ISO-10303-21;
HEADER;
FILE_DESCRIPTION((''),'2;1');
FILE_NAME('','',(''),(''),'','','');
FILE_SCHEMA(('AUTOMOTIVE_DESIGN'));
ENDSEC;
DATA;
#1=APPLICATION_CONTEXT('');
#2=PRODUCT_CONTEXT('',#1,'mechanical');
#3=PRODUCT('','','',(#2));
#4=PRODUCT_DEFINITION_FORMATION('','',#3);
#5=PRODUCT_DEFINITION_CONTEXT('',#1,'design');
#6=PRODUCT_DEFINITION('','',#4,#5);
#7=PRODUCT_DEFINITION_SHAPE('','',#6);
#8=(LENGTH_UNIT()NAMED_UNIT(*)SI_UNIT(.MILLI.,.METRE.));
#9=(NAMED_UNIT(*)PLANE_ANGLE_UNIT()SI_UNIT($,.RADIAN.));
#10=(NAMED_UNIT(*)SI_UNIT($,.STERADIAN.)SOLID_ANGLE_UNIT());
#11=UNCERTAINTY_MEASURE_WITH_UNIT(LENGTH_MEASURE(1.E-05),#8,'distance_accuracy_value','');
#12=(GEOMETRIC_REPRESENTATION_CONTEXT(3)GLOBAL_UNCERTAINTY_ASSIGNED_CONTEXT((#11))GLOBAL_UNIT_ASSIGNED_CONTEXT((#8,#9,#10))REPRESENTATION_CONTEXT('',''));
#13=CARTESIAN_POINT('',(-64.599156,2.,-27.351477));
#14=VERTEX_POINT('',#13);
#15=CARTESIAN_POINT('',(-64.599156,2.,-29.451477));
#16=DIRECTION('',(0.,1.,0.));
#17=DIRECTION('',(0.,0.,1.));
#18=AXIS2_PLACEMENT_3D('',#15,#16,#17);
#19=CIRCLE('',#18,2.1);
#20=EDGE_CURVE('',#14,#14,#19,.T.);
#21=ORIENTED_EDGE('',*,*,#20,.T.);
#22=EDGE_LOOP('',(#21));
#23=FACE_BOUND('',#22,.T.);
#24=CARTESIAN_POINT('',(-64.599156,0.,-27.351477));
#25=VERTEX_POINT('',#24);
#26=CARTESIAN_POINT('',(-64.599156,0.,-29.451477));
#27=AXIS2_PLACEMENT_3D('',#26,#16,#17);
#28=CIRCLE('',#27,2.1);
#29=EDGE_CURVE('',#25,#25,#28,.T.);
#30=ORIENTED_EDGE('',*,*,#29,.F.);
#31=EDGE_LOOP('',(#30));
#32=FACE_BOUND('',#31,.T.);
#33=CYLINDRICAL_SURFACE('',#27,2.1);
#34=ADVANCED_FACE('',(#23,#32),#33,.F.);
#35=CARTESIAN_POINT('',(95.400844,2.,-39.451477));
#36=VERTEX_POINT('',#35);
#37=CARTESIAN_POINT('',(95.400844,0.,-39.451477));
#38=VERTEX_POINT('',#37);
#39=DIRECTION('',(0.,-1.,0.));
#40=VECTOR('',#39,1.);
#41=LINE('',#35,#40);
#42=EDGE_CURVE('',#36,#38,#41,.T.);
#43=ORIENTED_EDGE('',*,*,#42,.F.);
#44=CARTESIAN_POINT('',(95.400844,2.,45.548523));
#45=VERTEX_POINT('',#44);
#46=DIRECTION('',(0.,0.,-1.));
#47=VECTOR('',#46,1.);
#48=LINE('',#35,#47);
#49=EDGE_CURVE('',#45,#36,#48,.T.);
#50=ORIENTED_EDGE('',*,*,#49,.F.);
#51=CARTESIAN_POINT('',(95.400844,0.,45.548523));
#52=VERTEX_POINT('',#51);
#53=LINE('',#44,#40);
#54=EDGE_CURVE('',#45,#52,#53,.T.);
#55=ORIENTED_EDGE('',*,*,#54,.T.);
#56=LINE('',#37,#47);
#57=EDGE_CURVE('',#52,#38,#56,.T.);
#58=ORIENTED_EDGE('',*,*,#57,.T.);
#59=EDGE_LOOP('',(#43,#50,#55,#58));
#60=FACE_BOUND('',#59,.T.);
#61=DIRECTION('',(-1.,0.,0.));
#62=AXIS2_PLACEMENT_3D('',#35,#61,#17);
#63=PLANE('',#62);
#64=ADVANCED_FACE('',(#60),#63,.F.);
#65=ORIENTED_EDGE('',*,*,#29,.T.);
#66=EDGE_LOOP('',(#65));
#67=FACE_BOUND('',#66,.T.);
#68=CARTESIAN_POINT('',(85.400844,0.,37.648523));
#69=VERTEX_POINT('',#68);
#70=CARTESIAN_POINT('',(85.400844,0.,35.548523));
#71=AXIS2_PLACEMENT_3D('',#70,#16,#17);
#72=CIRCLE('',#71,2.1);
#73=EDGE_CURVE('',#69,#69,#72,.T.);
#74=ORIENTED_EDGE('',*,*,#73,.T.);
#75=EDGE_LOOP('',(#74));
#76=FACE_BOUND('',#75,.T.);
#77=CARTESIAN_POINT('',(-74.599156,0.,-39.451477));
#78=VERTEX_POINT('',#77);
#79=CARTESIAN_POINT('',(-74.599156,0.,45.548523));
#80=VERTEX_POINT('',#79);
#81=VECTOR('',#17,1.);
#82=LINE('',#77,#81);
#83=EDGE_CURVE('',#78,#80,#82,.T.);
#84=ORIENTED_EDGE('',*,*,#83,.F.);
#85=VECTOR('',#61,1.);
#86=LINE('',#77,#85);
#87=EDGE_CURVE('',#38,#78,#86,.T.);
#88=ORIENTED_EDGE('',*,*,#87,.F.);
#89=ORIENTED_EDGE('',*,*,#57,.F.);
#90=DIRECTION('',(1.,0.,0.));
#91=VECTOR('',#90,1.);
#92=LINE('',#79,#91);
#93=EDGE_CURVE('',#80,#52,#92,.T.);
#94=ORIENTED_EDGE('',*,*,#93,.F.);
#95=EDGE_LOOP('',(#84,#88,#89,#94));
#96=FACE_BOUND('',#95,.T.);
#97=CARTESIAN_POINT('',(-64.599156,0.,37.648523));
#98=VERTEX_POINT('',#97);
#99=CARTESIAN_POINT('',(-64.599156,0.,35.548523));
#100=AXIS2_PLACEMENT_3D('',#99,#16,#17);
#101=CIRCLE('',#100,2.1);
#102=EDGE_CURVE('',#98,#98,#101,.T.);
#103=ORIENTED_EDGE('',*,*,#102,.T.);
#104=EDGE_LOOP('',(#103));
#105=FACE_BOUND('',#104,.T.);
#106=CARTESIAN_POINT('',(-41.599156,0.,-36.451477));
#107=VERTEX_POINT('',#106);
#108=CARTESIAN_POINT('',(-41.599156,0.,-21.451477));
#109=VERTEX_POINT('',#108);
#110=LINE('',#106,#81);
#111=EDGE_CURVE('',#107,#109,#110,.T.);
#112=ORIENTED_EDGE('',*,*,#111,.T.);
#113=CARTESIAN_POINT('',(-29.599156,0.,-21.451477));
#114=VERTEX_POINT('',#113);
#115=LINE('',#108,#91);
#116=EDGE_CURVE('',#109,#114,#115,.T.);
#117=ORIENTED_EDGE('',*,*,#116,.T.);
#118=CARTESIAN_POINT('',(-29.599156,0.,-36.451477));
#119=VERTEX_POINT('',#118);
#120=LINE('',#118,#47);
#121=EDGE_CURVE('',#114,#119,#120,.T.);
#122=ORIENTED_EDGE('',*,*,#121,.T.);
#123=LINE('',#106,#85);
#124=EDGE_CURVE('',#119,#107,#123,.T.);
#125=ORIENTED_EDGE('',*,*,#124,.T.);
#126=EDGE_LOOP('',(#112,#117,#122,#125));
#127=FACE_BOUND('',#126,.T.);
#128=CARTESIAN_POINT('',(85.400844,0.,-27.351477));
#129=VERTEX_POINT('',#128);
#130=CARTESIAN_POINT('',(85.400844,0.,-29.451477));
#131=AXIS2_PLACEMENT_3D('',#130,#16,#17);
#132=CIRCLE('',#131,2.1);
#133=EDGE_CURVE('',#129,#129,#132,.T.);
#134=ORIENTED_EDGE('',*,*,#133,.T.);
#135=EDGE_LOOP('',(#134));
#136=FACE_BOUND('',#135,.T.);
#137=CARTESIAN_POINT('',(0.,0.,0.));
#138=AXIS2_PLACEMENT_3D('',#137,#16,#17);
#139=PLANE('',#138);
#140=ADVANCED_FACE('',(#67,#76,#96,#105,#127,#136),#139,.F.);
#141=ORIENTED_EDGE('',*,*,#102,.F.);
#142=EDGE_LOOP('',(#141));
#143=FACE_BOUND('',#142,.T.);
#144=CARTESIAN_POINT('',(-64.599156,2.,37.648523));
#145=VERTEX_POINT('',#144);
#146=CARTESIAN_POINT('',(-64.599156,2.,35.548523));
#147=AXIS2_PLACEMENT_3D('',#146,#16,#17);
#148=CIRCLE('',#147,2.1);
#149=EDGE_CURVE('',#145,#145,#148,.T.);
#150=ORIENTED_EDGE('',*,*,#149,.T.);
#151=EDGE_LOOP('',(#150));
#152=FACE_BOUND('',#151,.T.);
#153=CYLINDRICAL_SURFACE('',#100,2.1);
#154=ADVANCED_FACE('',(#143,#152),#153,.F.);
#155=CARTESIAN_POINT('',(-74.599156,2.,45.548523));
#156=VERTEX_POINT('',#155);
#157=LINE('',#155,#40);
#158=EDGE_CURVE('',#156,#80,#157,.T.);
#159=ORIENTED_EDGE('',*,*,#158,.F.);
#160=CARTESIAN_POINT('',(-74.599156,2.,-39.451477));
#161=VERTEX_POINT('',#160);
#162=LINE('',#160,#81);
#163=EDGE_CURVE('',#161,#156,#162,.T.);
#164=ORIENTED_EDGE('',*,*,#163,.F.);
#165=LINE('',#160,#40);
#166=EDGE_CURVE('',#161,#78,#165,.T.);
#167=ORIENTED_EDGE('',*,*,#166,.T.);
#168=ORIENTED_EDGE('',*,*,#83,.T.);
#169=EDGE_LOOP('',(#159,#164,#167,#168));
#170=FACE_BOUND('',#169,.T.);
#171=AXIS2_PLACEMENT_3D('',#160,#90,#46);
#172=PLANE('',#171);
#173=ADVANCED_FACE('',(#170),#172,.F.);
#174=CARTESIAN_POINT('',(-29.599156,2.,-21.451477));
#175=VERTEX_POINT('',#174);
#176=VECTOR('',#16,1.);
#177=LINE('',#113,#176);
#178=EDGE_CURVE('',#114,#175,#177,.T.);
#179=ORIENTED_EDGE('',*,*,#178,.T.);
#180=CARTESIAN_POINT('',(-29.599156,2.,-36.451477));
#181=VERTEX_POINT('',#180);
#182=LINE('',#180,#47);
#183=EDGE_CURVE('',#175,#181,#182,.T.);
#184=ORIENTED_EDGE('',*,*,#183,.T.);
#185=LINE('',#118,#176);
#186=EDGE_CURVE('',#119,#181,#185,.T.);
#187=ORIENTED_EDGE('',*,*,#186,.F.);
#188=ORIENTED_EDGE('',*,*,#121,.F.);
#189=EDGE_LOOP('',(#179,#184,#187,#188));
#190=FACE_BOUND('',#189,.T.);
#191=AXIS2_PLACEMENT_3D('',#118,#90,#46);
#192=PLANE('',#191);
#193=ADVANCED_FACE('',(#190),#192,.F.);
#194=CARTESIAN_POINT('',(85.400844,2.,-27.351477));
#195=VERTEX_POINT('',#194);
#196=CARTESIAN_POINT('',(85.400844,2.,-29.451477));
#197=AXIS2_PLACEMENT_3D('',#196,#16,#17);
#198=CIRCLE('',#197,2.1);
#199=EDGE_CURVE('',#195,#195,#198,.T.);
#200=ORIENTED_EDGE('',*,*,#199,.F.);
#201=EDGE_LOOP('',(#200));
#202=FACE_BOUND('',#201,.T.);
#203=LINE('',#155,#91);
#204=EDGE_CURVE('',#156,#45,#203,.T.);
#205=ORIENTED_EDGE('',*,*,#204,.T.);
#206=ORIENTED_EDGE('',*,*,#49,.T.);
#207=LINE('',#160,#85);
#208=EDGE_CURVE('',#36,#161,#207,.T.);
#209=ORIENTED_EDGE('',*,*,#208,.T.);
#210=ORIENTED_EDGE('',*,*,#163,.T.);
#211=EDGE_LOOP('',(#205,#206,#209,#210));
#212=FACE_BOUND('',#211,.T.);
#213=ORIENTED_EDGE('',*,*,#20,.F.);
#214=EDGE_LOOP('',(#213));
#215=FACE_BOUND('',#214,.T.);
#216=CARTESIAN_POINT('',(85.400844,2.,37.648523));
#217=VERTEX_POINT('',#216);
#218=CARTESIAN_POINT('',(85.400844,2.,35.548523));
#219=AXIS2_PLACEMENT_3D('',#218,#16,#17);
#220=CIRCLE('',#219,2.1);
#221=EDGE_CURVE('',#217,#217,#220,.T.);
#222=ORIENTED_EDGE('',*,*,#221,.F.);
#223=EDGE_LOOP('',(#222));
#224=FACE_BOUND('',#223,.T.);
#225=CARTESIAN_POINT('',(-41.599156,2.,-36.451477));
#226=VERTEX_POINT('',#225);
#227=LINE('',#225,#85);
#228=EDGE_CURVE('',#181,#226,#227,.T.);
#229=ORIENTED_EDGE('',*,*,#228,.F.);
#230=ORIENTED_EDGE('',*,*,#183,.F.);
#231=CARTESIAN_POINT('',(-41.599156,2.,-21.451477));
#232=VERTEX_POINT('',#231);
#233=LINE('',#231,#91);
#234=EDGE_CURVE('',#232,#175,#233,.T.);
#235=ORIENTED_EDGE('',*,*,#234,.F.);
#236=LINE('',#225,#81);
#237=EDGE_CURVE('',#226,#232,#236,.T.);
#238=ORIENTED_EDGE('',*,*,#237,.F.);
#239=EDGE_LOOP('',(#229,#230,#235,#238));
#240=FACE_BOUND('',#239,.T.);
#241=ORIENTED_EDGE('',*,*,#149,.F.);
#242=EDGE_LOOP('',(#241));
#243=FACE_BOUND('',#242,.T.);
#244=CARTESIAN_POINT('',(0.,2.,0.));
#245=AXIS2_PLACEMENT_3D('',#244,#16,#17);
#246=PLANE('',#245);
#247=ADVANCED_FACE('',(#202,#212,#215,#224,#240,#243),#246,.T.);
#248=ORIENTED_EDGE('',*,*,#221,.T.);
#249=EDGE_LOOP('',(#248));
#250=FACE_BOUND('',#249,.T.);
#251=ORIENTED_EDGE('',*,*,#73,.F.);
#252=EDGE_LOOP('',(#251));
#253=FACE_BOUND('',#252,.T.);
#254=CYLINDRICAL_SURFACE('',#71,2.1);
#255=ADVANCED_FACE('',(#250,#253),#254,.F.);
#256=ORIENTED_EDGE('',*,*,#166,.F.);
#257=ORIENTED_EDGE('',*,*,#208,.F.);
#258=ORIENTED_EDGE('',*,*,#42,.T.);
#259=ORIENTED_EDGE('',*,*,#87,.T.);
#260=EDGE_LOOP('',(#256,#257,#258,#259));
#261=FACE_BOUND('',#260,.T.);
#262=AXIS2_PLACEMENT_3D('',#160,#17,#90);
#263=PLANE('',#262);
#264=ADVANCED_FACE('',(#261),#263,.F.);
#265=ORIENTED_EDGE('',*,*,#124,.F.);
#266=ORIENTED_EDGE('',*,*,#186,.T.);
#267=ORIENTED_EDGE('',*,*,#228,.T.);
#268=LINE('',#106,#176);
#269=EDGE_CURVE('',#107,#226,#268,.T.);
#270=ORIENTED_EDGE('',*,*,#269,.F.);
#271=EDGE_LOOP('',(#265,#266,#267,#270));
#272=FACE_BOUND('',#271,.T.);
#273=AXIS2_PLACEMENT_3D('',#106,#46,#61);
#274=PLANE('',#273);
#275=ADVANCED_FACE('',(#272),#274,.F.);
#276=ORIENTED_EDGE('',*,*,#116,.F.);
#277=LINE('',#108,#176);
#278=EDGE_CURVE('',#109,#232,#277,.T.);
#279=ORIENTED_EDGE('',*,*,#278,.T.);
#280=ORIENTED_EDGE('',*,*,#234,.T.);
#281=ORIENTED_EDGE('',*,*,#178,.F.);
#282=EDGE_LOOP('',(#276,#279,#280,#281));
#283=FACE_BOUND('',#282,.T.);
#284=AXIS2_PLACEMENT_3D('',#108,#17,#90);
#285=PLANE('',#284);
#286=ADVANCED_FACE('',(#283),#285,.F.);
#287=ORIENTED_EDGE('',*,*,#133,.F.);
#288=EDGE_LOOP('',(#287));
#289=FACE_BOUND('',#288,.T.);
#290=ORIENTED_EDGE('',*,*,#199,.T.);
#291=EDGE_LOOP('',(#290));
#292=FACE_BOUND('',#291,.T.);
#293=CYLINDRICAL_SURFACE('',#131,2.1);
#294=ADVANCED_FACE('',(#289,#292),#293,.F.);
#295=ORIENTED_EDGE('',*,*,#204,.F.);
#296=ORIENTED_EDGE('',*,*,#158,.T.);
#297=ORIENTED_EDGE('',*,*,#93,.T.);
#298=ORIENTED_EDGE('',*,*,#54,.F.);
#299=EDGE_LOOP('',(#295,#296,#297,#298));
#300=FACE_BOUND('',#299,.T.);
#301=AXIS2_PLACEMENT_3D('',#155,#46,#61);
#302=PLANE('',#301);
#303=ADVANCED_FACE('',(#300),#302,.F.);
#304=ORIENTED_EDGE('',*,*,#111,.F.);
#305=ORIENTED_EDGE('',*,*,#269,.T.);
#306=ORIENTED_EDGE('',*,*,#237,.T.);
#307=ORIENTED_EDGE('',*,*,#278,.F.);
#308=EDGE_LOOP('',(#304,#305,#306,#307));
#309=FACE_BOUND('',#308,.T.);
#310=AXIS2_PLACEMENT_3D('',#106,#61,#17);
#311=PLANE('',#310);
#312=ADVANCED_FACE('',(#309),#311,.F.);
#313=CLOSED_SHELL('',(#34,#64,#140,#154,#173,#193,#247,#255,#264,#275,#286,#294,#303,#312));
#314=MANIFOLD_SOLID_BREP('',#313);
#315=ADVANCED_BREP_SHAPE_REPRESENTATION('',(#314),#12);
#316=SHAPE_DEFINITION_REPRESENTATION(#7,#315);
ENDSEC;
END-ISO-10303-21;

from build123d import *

# Parameters (mm, degrees)
SKETCH2_W           = 170
SKETCH2_H           = 85
BOSS_EXTRUDE1_DEPTH = 2
SKETCH3_W           = 12
SKETCH3_H           = 15
CUT_EXTRUDE1_DEPTH  = 106.73546699
SKETCH13_R          = 2.1
CUT_EXTRUDE5_DEPTH  = 106.73546699


with BuildPart() as part:
    # Sketch2 → Boss-Extrude1 (new body)
    with BuildSketch(Plane(origin=(0, 0, 0), x_dir=(1, 0, 0), z_dir=(0, 1, 0))):
        with Locations((10.400843882, -3.048523207)):
            Rectangle(SKETCH2_W, SKETCH2_H)
    extrude(amount=BOSS_EXTRUDE1_DEPTH)

    # Sketch3 → Cut-Extrude1 (cut, through all)
    with BuildSketch(Plane(origin=(0, 2, 0), x_dir=(1, 0, 0), z_dir=(0, 1, 0))):
        with Locations((-35.599156118, 28.951476793)):
            Rectangle(SKETCH3_W, SKETCH3_H)
    extrude(amount=-CUT_EXTRUDE1_DEPTH, mode=Mode.SUBTRACT)

    # Sketch13 → Cut-Extrude5 (cut, through all)
    with BuildSketch(Plane(origin=(0, 2, 0), x_dir=(1, 0, 0), z_dir=(0, 1, 0))):
        with Locations(Location((-64.599156118, 29.451476793, 0), (0, 0, 270))):
            Circle(SKETCH13_R)
        with Locations(Location((85.400843882, 29.451476793, 0), (0, 0, 270))):
            Circle(SKETCH13_R)
        with Locations(Location((-64.599156118, -35.548523207, 0), (0, 0, 270))):
            Circle(SKETCH13_R)
        with Locations(Location((85.400843882, -35.548523207, 0), (0, 0, 270))):
            Circle(SKETCH13_R)
    extrude(amount=-CUT_EXTRUDE5_DEPTH, mode=Mode.SUBTRACT)


solid = part.part
